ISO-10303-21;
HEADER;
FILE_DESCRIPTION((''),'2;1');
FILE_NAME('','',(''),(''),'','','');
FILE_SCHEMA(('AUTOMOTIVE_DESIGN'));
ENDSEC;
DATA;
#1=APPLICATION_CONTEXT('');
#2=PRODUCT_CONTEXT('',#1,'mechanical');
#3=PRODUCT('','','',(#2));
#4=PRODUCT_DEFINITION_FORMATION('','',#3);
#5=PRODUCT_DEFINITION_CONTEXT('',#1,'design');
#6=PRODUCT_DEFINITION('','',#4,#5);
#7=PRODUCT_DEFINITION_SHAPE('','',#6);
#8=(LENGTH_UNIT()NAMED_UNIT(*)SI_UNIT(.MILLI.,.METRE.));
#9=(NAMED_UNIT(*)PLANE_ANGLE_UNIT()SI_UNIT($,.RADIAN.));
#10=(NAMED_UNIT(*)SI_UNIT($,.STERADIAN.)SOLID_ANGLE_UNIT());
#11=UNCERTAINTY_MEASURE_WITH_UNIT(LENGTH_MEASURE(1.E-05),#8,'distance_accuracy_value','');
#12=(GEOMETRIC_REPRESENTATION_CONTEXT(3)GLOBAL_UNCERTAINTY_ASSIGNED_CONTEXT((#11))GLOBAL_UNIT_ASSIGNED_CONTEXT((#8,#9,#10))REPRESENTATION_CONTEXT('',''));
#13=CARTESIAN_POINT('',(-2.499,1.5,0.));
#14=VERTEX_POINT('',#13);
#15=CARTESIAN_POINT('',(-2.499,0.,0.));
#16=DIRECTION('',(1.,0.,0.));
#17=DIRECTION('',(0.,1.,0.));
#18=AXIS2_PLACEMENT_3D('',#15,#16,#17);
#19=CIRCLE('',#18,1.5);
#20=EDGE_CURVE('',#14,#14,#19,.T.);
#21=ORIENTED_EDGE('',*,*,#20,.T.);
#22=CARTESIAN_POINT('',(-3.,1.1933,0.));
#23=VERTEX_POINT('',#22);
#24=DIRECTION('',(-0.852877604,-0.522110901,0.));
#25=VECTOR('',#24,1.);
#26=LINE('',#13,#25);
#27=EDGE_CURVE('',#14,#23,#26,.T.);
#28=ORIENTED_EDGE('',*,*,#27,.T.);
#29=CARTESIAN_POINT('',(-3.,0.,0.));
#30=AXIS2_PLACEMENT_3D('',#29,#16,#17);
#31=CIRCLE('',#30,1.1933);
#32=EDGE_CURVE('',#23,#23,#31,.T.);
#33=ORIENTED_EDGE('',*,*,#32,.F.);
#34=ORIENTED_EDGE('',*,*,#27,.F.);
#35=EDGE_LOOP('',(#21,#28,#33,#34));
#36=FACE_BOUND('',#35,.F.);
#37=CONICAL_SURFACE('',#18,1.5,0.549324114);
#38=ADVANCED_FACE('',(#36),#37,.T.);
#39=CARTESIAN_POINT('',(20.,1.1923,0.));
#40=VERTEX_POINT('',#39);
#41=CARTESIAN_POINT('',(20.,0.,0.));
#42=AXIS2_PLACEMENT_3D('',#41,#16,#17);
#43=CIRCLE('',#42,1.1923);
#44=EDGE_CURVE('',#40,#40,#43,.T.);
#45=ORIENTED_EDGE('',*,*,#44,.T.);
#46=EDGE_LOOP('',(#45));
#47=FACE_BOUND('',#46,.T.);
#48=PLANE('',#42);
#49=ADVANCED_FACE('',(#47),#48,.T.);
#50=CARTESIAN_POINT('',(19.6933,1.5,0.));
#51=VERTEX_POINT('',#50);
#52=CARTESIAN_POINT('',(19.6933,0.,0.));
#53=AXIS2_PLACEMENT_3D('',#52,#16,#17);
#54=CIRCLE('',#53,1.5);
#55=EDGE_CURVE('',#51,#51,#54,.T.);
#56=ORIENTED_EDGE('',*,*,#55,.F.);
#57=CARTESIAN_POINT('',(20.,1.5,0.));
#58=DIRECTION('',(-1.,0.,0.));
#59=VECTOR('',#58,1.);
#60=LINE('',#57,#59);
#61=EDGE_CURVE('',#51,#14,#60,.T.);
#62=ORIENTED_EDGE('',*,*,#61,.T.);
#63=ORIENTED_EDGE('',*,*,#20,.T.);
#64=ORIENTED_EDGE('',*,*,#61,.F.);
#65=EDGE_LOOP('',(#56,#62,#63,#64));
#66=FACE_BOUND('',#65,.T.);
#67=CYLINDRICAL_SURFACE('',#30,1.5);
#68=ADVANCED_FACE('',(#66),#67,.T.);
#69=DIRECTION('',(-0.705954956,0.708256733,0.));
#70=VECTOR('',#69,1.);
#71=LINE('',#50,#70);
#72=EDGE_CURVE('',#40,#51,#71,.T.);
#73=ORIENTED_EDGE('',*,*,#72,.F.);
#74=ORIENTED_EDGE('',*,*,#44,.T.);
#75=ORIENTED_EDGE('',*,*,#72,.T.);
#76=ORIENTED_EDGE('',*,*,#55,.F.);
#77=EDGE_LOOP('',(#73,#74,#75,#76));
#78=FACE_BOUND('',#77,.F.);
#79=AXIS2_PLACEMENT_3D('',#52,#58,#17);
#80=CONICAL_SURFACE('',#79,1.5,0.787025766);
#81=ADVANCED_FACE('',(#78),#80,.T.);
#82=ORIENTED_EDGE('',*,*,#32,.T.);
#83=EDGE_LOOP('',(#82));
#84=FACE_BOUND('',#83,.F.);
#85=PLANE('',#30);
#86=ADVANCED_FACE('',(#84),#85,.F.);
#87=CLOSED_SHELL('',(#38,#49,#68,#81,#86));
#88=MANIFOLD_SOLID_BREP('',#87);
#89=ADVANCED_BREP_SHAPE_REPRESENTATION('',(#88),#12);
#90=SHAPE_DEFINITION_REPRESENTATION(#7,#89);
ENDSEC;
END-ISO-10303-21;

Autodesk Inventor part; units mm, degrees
ref_plane "YZ Plane" through (0, 0, 0) normal (1, 0, 0) x (0, 1, 0)
ref_plane "XZ Plane" through (0, 0, 0) normal (0, 1, 0) x (-1, 0, 0)
sketch "Sketch1" plane through (0, 0, 0) normal (0, 0, 1) x (1, 0, 0)
  line L0 (20, 1.5) -> (20, 0)
  line L1 (-3, 0) -> (20, 0)
  line L2 (-7.6, 0) -> (24.6, 0) projected
  line L3 (0, 1.8) -> (0, -0.3) projected
  line L4 (-3, 1.5) -> (-3, 0)
  line L5 (8, 1.5) -> (8, 0) construction
  line L6 (-7.6, 0) -> (24.6, 0) projected
  line L7 (-3, 1.5) -> (20, 1.5)
  dimension "d4" = 3
  dimension "d5" = 20
  dimension "d6" = 12
  dimension "d13" = 3
revolve "Body" add sketch "Sketch1" angle 360 about axis through (-3, 0, 0) along (1, 0, 0)
thread "Thread1" size "M3x0.5" class "6g" standard "ISO Metric profile" length 3
thread "Thread2" size "M3x0.5" class "6g" standard "ISO Metric profile" length 12.3067
chamfer "Chamfer1" distance 0.3077 distance2 0.3067 1 edges at (20, -1.5, 0) measured on face at (20, -0.7567, -0.3972)
chamfer "Chamfer2" distance 0.501 distance2 0.3067 1 edges at (-3, -1.5, 0) measured on face at (12.1288, 1.4951, -0.1207)
ref_plane "Work Plane1" through (2.75, 0, 0) normal (0, -1, 0) x (1, 0, 0)
equation "\"d4\" = KOH"
equation "\"d5\" = NLG"
equation "\"d6\" = GEL"
equation "\"d13\" = GD"
equation "\"d1\" = KOH"
equation "\"d7\" = GEL + GAL"
equation "\"d10\" = -0.5 * SPD + 0.5 * GD"
equation "\"d12\" = -0.5 * SPD + 0.5 * GD"
equation "\"NLG\" = 20"
equation "\"GEL\" = 12"
equation "\"GAL\" = 0.61345 * PTC"
equation "\"SPD\" = NND - 1.2269 * PTC"
equation "\"d0\" = GD"
equation "\"GUL\" = 0.61345 * PTC"
equation "\"KOH\" = NND"
equation "\"GD\" = NND"
equation "\"BDM\" = NND"
equation "\"GUL1\" = 0.5"
equation "\"GAL1\" = 0.5"
equation "\"d80\" = -GUL - GEL"
equation "\"d86\" = -KOH + GUL1"
equation "\"PTC\" = 0.5"
equation "\"THREADDIA\" = 3"
equation "\"TOA\" = 30deg"
equation "\"NND\" = 3"
equation "\"GD1\" = THREADDIA - 1.2269 * PTC"
properties part number "CSN 02 1174 - A M3 x 20" material "Steel, Mild"
